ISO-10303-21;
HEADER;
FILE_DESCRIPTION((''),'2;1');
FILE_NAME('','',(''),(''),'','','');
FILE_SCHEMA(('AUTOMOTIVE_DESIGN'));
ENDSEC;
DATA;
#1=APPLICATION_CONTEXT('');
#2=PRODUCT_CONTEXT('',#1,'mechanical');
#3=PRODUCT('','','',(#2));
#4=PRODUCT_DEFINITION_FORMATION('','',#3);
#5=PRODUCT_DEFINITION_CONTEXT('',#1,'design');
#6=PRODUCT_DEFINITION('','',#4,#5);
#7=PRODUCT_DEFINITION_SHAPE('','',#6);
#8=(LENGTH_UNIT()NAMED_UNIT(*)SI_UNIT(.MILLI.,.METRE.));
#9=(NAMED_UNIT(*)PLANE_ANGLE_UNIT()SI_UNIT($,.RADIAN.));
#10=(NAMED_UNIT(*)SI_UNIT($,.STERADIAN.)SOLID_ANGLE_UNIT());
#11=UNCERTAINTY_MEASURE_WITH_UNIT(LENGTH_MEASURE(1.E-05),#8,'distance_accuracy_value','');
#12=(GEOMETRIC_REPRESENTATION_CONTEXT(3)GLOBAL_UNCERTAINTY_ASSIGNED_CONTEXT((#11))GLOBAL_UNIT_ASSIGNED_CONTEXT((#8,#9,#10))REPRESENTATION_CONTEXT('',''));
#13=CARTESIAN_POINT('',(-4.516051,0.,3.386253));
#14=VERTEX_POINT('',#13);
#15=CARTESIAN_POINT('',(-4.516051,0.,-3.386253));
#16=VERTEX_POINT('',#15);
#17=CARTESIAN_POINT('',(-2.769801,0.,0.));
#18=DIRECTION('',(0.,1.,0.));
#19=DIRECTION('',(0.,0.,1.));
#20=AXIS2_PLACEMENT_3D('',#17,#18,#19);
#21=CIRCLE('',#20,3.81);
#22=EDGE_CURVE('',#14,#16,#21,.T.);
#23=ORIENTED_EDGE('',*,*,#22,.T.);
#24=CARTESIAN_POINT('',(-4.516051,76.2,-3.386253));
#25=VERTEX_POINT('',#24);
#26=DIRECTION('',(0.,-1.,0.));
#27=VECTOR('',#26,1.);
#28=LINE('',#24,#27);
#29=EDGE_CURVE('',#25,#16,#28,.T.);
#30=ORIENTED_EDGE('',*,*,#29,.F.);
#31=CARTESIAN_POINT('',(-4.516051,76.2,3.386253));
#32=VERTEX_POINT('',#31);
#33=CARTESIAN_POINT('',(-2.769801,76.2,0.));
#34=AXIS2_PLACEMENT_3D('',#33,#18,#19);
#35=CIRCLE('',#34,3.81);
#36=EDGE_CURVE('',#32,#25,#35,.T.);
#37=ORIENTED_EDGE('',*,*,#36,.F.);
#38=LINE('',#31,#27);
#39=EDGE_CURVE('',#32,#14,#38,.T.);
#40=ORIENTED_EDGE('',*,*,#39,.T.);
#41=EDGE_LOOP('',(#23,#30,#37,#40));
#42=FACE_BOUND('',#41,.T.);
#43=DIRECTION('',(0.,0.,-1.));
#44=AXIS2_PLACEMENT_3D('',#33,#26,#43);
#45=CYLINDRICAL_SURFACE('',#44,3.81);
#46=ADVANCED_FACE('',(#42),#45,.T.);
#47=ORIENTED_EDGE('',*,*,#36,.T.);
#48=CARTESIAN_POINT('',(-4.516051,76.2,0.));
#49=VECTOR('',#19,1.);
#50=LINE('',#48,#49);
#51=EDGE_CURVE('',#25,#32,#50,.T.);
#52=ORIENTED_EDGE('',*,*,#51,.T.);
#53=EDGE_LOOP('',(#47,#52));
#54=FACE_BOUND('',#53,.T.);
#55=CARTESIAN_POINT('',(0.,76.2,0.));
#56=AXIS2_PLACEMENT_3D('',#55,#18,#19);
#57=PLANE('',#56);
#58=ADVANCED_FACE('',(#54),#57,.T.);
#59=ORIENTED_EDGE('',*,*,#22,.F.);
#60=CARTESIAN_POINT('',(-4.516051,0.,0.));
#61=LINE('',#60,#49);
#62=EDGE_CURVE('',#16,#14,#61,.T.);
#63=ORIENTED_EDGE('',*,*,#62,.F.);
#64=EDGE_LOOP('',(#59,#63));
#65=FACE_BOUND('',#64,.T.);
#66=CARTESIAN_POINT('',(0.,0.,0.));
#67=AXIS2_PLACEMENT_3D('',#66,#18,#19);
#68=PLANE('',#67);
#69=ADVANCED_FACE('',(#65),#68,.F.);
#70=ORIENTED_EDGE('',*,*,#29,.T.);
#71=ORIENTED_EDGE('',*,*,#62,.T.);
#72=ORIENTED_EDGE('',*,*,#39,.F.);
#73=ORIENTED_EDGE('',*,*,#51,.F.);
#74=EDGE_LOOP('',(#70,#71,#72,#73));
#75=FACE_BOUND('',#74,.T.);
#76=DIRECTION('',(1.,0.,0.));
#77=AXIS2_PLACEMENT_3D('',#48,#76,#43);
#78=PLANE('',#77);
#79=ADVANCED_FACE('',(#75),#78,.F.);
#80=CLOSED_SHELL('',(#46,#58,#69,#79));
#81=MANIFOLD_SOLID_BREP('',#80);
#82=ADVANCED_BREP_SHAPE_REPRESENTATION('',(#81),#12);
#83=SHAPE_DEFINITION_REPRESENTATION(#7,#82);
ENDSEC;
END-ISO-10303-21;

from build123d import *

# Parameters (mm, degrees)
BOSS_EXTRUDE1_DEPTH = 76.2


with BuildPart() as part:
    # Sketch1 → Boss-Extrude1 (new body)
    with BuildSketch(Plane(origin=(0, 0, 0), x_dir=(1, 0, 0), z_dir=(0, 1, 0))):
        with BuildLine():
            ThreePointArc((1.040198824, 0), (-0.787014311, 3.253406868), (-4.516051176, 3.38625323))
            Line((-4.516051176, 3.38625323), (-4.516051176, 0))
            Line((-4.516051176, 0), (1.040198824, 0))
        make_face()
        with BuildLine():
            Line((1.040198824, 0), (-4.516051176, 0))
            Line((-4.516051176, 0), (-4.516051176, -3.38625323))
            ThreePointArc((-4.516051176, -3.38625323), (-0.787014311, -3.253406868), (1.040198824, 0))
        make_face()
    extrude(amount=BOSS_EXTRUDE1_DEPTH)


solid = part.part
